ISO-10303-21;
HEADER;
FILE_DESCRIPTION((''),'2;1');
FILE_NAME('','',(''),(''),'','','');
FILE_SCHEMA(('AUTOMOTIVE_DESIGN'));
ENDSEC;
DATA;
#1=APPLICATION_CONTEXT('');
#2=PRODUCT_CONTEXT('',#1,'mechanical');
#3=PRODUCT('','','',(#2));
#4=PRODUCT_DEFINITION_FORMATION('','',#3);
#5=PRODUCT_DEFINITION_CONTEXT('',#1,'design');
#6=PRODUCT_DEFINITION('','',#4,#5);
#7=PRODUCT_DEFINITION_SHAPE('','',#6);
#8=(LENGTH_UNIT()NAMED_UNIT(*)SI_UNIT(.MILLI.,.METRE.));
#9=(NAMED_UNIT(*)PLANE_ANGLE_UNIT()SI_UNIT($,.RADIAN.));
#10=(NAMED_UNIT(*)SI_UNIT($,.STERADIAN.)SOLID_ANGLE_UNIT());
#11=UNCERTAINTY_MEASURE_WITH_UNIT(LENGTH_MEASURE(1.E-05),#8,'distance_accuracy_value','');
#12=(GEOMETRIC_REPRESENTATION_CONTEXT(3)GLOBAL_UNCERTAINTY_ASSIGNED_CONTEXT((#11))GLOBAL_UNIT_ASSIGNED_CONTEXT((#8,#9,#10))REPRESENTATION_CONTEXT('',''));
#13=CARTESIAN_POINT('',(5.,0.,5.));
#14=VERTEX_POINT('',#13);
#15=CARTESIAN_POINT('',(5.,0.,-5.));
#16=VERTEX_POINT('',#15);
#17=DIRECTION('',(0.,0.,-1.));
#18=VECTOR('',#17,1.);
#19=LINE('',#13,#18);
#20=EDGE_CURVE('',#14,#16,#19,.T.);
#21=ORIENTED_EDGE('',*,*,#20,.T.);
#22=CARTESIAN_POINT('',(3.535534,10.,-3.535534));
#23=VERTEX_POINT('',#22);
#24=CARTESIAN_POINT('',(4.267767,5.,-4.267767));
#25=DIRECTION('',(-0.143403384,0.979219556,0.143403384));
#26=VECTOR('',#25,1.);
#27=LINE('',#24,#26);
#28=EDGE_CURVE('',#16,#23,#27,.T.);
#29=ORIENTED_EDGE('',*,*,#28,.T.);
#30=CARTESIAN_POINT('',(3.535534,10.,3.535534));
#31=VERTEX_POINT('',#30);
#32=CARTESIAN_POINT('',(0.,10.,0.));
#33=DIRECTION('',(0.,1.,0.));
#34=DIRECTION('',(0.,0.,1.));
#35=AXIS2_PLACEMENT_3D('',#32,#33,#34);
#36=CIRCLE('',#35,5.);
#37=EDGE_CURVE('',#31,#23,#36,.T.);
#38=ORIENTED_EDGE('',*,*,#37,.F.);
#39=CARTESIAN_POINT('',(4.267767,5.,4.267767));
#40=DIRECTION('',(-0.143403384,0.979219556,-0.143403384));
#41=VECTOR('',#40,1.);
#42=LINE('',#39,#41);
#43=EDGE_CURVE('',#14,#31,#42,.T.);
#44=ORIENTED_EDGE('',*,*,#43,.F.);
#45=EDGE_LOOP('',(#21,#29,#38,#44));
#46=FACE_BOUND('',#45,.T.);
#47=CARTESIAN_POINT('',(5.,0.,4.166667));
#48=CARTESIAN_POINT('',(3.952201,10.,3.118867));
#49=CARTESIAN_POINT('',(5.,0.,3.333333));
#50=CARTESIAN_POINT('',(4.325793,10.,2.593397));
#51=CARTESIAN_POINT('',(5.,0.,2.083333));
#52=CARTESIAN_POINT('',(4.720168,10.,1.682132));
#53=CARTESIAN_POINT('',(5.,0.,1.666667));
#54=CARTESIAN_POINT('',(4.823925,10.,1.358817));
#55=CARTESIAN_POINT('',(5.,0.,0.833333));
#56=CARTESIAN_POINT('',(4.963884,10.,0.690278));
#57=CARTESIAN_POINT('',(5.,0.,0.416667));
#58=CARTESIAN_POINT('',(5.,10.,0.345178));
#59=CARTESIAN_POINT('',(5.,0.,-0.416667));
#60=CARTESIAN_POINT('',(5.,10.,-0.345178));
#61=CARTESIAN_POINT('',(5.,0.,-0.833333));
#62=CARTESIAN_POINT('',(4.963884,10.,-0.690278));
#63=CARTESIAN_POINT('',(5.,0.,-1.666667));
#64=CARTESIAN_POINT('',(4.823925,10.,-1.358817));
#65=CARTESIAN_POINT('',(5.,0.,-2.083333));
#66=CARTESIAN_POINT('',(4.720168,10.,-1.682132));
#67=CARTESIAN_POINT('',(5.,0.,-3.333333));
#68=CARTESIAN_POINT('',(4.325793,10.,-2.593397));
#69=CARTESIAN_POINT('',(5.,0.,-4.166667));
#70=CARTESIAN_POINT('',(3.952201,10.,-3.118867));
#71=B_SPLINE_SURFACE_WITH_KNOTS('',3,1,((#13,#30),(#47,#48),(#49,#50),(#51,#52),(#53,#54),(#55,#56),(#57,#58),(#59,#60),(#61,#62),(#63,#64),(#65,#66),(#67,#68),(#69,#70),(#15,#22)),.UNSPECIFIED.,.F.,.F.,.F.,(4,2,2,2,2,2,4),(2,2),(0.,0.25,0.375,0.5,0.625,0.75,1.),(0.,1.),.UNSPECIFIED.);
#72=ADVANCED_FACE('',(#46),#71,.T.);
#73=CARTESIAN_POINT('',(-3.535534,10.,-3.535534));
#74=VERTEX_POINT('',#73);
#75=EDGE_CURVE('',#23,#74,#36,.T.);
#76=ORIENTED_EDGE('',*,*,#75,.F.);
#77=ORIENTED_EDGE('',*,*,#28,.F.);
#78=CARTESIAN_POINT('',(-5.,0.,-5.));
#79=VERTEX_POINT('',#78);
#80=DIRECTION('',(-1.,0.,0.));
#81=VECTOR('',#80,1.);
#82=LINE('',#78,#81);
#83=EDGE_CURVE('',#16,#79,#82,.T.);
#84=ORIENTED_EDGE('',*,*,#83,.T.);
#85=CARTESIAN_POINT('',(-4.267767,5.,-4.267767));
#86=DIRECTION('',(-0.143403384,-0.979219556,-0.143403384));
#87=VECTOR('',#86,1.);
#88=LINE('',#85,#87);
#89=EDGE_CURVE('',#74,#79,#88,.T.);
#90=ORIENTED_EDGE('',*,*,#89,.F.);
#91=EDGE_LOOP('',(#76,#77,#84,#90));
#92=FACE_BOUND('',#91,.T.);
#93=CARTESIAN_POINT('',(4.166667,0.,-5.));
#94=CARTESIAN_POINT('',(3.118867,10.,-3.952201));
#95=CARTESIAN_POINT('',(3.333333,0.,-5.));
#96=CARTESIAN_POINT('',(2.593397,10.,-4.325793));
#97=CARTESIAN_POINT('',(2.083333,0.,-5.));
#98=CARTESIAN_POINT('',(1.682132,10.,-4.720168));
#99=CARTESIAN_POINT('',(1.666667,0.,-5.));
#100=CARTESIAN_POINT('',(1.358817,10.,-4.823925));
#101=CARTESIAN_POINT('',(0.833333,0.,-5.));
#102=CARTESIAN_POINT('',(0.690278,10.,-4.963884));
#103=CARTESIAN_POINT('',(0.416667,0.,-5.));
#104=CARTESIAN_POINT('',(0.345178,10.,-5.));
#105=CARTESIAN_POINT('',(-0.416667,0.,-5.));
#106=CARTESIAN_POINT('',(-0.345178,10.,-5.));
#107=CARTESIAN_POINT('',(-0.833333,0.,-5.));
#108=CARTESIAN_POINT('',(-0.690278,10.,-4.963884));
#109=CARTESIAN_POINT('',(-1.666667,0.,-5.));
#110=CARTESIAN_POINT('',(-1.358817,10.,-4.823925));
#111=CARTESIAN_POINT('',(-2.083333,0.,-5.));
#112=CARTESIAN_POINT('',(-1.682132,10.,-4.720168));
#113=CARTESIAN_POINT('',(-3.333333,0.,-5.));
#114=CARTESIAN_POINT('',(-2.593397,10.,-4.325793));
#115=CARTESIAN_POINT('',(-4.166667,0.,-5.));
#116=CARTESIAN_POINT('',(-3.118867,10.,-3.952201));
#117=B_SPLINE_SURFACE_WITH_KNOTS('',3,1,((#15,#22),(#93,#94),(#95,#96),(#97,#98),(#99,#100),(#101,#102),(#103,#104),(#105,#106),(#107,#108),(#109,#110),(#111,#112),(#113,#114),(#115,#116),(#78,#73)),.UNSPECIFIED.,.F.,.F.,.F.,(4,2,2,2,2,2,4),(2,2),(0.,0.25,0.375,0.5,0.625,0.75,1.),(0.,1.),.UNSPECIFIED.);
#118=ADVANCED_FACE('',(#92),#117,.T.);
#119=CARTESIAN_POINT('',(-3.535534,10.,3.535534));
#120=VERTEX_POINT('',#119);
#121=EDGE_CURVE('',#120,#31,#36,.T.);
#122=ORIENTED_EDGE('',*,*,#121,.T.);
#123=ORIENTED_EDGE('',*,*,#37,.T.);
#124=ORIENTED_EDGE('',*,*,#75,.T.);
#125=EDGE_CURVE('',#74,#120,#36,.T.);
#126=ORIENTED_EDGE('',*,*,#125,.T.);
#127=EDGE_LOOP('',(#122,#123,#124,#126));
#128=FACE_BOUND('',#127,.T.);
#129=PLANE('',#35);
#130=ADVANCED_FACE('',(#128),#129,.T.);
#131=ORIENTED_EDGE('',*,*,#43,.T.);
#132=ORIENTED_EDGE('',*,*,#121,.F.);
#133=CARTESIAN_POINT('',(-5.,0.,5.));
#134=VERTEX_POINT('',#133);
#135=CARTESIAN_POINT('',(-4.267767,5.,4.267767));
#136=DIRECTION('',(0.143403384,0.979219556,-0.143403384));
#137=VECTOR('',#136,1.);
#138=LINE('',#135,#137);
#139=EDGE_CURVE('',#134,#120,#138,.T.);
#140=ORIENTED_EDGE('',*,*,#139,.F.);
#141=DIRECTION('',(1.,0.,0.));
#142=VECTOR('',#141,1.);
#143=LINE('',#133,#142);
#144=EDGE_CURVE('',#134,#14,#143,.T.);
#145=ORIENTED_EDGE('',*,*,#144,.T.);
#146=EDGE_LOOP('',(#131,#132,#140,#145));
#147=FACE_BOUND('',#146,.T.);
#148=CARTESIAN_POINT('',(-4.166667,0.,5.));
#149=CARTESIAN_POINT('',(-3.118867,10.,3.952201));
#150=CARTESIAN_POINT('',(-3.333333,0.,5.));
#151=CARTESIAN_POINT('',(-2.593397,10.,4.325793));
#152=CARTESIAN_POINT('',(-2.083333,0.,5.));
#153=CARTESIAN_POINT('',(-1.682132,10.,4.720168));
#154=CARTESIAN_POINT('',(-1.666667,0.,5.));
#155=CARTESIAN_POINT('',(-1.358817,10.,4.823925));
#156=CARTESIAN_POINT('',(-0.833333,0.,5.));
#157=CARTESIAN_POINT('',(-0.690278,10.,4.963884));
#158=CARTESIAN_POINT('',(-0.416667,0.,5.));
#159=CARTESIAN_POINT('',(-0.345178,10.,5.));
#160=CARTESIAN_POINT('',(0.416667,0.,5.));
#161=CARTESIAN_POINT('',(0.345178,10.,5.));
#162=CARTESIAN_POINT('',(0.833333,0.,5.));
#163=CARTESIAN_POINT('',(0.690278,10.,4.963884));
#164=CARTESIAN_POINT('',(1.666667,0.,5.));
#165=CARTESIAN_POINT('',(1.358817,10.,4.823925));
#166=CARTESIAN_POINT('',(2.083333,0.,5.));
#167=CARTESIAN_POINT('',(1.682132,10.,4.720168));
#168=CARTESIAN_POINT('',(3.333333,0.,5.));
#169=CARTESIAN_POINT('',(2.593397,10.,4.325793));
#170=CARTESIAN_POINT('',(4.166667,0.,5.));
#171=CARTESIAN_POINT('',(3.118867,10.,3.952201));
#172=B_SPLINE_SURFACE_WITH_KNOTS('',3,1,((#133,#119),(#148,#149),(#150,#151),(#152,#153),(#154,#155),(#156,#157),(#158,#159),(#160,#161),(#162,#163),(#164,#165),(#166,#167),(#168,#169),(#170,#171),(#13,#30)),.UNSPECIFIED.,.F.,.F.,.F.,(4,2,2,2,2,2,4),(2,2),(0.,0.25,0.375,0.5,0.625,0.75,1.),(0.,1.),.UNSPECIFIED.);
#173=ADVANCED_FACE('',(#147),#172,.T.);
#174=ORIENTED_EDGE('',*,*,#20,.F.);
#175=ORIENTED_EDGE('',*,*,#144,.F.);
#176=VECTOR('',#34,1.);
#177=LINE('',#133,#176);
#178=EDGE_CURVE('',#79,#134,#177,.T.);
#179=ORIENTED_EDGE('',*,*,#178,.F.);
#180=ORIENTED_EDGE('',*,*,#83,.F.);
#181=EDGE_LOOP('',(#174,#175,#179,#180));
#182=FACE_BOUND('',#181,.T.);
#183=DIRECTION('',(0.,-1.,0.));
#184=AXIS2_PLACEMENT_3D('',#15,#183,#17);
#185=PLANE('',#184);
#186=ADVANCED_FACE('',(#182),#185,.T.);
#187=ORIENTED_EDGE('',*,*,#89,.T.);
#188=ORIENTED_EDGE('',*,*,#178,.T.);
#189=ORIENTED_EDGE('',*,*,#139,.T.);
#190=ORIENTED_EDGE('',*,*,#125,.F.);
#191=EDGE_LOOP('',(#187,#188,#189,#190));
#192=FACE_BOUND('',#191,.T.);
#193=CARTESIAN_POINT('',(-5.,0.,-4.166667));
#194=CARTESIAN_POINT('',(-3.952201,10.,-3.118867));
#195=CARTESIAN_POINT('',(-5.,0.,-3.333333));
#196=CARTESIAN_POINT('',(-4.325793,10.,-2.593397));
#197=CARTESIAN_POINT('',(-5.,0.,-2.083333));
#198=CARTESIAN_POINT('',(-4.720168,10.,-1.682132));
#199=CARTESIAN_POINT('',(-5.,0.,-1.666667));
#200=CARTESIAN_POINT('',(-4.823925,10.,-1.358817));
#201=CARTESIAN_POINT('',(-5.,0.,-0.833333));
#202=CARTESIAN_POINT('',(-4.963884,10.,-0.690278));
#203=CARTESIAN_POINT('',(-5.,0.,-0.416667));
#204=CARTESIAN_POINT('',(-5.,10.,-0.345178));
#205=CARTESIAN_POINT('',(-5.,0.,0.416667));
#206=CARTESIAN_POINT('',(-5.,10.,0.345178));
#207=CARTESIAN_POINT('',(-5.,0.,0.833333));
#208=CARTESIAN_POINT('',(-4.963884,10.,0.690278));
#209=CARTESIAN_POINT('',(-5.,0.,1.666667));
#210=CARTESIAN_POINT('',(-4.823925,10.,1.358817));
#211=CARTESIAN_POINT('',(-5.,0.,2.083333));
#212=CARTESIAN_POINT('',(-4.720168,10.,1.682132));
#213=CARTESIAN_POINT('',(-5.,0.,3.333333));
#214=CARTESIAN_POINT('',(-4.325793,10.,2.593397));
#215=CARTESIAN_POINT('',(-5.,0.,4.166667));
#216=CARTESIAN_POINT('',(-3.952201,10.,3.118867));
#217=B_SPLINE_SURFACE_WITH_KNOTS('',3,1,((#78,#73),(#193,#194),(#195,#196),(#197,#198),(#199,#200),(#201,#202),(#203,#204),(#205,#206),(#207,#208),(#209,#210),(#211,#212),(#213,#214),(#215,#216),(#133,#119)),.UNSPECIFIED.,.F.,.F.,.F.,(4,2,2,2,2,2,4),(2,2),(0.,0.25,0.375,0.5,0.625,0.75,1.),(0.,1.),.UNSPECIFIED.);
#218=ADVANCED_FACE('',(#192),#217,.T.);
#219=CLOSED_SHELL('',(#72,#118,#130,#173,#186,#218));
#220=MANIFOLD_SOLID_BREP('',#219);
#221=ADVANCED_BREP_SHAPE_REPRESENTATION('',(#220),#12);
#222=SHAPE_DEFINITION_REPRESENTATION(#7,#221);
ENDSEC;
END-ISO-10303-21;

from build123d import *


with BuildPart() as part:
    # Sketch1 → Loft1 section 0
    with BuildSketch(Plane(origin=(0, 0, 0), x_dir=(1, 0, 0), z_dir=(0, 1, 0))):
        with BuildLine():
            Line((-5, -5), (5, -5))
            Line((5, -5), (5, 5))
            Line((5, 5), (-5, 5))
            Line((-5, 5), (-5, -5))
        make_face()
    # Sketch2 for Loft1 → Loft1 section 1
    with BuildSketch(Plane(origin=(0, 10, 0), x_dir=(-1, 0, 0), z_dir=(0, 1, 0))):
        with BuildLine():
            # circular arc as an exact rational Bezier (weights 1, cos(half-angle), 1)
            Bezier((3.535533906, 3.535533906), (0, 7.071067812), (-3.535533906, 3.535533906), weights=[1, 0.707106781, 1])
            Bezier((-3.535533906, 3.535533906), (-7.071067812, 0), (-3.535533906, -3.535533906), weights=[1, 0.707106781, 1])
            Bezier((-3.535533906, -3.535533906), (0, -7.071067812), (3.535533906, -3.535533906), weights=[1, 0.707106781, 1])
            Bezier((3.535533906, -3.535533906), (7.071067812, 0), (3.535533906, 3.535533906), weights=[1, 0.707106781, 1])
        make_face()
    loft()


solid = part.part
